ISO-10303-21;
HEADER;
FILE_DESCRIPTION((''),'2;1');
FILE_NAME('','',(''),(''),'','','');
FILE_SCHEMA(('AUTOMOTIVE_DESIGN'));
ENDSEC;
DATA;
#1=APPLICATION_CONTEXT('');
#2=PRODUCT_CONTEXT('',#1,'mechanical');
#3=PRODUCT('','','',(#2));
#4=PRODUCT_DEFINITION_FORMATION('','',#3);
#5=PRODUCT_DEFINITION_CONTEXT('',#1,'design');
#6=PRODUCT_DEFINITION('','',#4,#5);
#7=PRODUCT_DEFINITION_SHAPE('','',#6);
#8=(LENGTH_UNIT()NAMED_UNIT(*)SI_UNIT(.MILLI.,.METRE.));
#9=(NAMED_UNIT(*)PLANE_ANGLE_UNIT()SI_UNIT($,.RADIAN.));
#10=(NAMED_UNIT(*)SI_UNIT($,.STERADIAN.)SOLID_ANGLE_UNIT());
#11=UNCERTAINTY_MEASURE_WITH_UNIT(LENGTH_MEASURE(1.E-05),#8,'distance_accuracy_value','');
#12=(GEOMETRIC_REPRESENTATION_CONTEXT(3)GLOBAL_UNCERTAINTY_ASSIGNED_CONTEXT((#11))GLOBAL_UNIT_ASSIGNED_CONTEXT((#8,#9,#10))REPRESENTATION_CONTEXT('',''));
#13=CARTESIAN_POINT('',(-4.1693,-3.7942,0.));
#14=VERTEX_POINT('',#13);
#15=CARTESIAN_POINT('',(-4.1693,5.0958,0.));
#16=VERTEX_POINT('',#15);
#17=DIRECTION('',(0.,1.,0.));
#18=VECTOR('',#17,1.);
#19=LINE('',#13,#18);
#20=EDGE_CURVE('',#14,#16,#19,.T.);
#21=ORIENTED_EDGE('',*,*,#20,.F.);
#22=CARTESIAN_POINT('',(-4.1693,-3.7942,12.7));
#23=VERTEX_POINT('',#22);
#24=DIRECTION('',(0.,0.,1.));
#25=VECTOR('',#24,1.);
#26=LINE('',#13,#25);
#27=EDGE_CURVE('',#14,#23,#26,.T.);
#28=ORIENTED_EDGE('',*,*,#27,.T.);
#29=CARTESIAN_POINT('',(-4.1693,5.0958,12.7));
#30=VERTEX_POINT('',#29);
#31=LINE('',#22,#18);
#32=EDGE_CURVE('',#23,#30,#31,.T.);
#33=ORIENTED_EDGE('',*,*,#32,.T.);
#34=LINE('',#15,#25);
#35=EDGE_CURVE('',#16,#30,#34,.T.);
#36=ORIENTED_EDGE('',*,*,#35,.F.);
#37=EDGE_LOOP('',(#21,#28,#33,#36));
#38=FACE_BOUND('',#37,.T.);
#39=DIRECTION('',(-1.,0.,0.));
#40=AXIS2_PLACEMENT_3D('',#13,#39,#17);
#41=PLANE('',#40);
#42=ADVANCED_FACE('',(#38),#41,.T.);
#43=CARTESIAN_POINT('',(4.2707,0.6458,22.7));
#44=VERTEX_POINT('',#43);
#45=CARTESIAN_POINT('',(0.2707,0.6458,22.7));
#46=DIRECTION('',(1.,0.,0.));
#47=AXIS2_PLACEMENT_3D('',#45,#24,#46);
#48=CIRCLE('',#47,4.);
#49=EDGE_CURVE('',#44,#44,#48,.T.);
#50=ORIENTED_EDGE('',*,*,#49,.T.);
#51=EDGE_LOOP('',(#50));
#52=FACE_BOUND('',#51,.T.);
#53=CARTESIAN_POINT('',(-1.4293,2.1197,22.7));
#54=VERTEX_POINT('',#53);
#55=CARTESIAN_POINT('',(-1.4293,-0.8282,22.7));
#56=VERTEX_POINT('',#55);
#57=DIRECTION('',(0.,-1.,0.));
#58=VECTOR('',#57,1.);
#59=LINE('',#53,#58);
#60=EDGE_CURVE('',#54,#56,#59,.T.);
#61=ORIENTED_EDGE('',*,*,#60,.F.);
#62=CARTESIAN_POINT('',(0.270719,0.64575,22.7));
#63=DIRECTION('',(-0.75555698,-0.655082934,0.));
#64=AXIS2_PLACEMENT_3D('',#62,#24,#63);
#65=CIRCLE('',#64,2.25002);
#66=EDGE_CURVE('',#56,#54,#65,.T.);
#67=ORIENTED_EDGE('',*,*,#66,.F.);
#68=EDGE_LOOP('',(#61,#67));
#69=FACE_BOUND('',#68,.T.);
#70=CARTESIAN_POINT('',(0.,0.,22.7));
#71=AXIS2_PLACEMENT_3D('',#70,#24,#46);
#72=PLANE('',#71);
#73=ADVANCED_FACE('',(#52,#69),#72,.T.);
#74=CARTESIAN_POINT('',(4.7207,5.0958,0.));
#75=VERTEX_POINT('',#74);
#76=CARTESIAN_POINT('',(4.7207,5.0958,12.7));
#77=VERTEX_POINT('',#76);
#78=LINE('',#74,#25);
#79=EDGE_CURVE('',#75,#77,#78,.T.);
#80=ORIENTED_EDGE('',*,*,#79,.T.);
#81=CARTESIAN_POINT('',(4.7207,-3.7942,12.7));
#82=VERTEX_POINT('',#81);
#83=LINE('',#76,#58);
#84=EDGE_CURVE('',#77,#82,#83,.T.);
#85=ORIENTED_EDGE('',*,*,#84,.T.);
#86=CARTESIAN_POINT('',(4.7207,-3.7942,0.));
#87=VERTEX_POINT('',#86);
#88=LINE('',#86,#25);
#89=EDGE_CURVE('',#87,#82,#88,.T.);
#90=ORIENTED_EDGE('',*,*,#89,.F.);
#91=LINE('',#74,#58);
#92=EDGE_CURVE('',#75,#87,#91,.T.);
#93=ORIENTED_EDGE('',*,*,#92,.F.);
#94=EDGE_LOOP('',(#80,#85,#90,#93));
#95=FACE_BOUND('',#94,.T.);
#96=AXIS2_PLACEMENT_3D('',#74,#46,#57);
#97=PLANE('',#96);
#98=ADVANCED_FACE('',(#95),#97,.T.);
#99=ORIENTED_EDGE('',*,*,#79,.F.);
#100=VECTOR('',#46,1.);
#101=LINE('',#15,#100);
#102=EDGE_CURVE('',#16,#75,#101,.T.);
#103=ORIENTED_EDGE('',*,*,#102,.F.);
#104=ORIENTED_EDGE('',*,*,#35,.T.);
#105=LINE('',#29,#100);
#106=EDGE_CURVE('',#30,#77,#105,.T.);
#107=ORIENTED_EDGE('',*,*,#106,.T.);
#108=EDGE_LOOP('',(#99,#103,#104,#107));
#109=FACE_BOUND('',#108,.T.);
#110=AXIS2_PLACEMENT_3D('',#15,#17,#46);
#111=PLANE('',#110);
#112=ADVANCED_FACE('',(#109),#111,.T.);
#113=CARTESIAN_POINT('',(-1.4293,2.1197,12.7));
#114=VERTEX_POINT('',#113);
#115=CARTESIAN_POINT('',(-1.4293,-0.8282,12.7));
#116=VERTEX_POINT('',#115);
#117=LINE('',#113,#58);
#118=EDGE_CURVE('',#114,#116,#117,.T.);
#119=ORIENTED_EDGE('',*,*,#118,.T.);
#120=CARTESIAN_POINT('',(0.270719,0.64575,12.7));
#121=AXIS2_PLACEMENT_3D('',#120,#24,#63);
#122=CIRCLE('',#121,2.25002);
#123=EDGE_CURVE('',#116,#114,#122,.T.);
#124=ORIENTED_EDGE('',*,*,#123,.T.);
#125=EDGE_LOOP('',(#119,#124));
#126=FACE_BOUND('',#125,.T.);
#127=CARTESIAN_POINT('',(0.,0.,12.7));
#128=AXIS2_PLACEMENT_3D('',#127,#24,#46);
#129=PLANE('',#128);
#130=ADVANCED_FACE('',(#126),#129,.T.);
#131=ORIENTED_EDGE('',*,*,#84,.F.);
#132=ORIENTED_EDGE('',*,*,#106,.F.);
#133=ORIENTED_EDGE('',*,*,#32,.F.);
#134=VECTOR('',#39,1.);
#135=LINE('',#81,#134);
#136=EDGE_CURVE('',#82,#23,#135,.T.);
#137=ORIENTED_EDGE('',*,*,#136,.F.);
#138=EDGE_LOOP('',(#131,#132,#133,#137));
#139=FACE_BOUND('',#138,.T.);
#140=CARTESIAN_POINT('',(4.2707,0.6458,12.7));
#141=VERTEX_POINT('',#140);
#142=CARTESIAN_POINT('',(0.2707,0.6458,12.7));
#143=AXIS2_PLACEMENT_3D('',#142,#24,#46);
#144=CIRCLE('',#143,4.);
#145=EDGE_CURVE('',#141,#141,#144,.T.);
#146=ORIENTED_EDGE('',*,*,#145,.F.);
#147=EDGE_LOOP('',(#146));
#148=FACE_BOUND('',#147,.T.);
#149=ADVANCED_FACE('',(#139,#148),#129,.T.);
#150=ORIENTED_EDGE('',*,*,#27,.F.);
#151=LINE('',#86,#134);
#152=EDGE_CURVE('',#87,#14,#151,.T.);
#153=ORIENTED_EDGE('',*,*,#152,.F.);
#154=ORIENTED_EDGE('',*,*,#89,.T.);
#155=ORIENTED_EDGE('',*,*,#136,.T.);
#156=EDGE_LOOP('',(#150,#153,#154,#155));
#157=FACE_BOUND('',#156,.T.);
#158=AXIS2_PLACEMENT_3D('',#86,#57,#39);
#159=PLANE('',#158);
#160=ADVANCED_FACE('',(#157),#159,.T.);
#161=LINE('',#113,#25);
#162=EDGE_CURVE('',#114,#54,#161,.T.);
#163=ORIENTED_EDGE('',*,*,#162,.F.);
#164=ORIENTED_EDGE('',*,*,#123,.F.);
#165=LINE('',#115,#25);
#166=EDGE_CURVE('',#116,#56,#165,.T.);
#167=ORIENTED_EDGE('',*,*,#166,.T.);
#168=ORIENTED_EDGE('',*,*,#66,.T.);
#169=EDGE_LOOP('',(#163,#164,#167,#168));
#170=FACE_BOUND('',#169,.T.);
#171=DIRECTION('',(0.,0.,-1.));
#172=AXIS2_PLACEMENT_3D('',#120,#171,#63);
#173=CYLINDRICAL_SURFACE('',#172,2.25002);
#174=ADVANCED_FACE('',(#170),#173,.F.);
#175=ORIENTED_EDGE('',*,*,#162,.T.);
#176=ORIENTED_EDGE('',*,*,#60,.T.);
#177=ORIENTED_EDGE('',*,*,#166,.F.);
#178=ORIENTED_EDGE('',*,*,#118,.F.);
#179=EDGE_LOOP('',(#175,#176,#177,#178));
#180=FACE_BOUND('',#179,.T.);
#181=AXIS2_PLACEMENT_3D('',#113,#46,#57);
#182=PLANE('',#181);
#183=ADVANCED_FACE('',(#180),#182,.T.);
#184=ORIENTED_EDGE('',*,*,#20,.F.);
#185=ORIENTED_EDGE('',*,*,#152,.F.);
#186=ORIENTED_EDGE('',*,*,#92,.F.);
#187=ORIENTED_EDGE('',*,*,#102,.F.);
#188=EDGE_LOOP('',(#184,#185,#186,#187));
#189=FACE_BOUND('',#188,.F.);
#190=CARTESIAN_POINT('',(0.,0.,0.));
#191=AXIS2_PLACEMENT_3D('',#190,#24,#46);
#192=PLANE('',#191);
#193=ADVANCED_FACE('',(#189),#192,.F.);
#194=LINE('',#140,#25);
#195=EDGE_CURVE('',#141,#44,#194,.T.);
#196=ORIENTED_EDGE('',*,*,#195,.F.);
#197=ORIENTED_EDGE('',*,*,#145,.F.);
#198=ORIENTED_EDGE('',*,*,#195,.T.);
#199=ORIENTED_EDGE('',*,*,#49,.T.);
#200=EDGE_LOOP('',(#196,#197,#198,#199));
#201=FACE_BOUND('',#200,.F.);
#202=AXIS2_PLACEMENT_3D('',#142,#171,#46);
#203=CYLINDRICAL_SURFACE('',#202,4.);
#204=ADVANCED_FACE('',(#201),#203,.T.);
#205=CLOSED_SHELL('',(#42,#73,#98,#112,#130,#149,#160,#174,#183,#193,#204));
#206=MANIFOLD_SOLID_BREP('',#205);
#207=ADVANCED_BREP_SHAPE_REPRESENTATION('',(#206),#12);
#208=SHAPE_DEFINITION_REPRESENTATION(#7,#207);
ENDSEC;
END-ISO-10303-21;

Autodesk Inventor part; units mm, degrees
ref_plane "YZ Plane" through (0, 0, 0) normal (1, 0, 0) x (0, 1, 0)
ref_plane "XZ Plane" through (0, 0, 0) normal (0, 1, 0) x (-1, 0, 0)
ref_plane "XY Plane" through (0, 0, 0) normal (0, 0, 1) x (1, 0, 0)
sketch "Sketch1" plane through (0, 0, 0) normal (0, 0, 1) x (1, 0, 0)
  line L0 (-4.1693, 5.0958) -> (4.7207, 5.0958)
  line L1 (4.7207, 5.0958) -> (4.7207, -3.7942)
  line L2 (4.7207, -3.7942) -> (-4.1693, -3.7942)
  line L3 (-4.1693, -3.7942) -> (-4.1693, 5.0958)
  point P0 (0, 0)
  dimension "d0" = 8.89
  dimension "d1" = 8.89
extrude "Extrusion1" add sketch "Sketch1" along normal blind 12.7
sketch "Sketch2" plane through (0, 0, 12.7) normal (0, 0, 1) x (1, 0, 0)
  circle A0 centre (0.2707, 0.6458) radius 4
  line L0 (-4.1693, 5.0958) -> (4.7207, 5.0958) projected
  line L1 (4.7207, -3.7942) -> (4.7207, 5.0958) projected
  arc A1 (-1.4293, -0.8282) -> (-1.4293, 2.1197) centre (0.2707, 0.6458) ccw
  line L2 (-1.4293, 2.1197) -> (-1.4293, -0.8282)
  point P0 (0, 0)
  dimension "d4" = 4.45
  dimension "d5" = 4.45
  dimension "d6" = 8
  dimension "d7" = 4.5
  dimension "d8" = 1.7
extrude "Extrusion2" add sketch "Sketch2" along normal blind 10
properties part number "MotorConnectionmm"
